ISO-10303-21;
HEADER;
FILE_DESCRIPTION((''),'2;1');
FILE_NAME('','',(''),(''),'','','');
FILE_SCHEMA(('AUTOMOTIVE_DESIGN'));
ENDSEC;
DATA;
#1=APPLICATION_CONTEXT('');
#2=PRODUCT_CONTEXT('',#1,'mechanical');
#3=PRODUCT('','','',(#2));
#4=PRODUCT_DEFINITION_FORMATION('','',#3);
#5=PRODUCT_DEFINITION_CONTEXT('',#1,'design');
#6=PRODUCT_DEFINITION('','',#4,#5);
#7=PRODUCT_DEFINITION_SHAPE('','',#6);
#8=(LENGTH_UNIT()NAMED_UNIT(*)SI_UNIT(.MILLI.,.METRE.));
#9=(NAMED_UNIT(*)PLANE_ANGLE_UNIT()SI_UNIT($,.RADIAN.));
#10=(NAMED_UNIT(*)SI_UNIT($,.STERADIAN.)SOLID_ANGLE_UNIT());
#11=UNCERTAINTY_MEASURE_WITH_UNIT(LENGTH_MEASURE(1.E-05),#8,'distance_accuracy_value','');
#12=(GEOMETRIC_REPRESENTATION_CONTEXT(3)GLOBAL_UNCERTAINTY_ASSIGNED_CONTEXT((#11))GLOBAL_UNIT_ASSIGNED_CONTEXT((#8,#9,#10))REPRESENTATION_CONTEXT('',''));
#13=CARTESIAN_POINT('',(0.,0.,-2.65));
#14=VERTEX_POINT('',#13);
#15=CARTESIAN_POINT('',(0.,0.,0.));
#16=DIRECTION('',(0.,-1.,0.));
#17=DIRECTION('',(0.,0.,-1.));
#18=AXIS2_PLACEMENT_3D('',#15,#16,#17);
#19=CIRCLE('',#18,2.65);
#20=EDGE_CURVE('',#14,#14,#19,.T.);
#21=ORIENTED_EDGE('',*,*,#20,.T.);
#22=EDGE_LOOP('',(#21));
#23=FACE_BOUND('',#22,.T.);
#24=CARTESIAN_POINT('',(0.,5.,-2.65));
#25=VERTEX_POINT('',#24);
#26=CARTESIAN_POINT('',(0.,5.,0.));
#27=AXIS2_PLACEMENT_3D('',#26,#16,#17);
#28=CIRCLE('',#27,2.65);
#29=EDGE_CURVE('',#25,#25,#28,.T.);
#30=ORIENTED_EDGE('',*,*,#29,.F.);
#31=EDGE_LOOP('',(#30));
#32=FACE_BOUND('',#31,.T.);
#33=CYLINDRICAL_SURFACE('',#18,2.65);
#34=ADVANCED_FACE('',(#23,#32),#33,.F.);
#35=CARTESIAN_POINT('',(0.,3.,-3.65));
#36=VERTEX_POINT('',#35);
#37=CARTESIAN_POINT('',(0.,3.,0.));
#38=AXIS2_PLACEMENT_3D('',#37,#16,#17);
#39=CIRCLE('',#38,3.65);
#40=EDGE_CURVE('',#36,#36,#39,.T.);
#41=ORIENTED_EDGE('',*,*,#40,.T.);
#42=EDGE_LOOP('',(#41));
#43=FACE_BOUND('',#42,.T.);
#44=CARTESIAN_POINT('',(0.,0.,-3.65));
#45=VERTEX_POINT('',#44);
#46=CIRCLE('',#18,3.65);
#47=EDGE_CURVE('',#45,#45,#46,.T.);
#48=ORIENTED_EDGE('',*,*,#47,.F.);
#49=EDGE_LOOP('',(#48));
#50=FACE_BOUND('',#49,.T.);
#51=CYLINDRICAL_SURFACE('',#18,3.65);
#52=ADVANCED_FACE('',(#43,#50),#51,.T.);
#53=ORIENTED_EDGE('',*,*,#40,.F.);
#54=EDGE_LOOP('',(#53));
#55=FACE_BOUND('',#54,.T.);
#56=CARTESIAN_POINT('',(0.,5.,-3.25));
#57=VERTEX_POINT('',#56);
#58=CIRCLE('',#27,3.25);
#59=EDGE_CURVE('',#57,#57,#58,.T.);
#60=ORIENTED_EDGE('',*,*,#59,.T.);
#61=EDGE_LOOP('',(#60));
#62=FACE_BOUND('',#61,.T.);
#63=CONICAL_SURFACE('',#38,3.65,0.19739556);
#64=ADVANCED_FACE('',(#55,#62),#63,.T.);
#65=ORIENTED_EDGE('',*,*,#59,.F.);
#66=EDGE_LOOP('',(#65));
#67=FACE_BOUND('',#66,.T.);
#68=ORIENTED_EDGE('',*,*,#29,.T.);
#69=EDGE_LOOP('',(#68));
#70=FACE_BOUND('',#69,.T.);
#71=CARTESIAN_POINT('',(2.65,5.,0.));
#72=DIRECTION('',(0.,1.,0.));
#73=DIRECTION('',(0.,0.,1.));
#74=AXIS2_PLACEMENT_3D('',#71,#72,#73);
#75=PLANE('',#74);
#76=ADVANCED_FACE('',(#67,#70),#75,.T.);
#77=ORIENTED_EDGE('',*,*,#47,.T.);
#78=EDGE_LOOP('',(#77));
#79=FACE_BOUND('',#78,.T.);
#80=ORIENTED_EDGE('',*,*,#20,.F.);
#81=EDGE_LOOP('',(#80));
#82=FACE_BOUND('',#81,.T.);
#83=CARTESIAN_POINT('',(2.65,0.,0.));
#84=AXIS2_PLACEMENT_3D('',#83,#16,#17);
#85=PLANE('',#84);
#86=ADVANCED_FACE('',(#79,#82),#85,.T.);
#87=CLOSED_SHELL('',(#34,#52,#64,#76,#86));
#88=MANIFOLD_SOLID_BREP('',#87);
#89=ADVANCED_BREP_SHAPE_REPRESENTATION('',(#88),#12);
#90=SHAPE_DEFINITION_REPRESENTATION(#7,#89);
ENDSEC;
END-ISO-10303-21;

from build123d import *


with BuildPart() as part:
    # 草图1 → 旋转1 (revolve)
    with BuildSketch(Plane.XY, mode=Mode.PRIVATE) as revolve_1_sk:
        Polygon((2.65, 0), (2.65, 5), (3.25, 5), (3.65, 3), (3.65, 0), align=None)
    revolve(revolve_1_sk.sketch.rotate(Axis((0, 0, 0), (0, 1, 0)), 90), axis=Axis((0, 0, 0), (0, 1, 0)))


solid = part.part
